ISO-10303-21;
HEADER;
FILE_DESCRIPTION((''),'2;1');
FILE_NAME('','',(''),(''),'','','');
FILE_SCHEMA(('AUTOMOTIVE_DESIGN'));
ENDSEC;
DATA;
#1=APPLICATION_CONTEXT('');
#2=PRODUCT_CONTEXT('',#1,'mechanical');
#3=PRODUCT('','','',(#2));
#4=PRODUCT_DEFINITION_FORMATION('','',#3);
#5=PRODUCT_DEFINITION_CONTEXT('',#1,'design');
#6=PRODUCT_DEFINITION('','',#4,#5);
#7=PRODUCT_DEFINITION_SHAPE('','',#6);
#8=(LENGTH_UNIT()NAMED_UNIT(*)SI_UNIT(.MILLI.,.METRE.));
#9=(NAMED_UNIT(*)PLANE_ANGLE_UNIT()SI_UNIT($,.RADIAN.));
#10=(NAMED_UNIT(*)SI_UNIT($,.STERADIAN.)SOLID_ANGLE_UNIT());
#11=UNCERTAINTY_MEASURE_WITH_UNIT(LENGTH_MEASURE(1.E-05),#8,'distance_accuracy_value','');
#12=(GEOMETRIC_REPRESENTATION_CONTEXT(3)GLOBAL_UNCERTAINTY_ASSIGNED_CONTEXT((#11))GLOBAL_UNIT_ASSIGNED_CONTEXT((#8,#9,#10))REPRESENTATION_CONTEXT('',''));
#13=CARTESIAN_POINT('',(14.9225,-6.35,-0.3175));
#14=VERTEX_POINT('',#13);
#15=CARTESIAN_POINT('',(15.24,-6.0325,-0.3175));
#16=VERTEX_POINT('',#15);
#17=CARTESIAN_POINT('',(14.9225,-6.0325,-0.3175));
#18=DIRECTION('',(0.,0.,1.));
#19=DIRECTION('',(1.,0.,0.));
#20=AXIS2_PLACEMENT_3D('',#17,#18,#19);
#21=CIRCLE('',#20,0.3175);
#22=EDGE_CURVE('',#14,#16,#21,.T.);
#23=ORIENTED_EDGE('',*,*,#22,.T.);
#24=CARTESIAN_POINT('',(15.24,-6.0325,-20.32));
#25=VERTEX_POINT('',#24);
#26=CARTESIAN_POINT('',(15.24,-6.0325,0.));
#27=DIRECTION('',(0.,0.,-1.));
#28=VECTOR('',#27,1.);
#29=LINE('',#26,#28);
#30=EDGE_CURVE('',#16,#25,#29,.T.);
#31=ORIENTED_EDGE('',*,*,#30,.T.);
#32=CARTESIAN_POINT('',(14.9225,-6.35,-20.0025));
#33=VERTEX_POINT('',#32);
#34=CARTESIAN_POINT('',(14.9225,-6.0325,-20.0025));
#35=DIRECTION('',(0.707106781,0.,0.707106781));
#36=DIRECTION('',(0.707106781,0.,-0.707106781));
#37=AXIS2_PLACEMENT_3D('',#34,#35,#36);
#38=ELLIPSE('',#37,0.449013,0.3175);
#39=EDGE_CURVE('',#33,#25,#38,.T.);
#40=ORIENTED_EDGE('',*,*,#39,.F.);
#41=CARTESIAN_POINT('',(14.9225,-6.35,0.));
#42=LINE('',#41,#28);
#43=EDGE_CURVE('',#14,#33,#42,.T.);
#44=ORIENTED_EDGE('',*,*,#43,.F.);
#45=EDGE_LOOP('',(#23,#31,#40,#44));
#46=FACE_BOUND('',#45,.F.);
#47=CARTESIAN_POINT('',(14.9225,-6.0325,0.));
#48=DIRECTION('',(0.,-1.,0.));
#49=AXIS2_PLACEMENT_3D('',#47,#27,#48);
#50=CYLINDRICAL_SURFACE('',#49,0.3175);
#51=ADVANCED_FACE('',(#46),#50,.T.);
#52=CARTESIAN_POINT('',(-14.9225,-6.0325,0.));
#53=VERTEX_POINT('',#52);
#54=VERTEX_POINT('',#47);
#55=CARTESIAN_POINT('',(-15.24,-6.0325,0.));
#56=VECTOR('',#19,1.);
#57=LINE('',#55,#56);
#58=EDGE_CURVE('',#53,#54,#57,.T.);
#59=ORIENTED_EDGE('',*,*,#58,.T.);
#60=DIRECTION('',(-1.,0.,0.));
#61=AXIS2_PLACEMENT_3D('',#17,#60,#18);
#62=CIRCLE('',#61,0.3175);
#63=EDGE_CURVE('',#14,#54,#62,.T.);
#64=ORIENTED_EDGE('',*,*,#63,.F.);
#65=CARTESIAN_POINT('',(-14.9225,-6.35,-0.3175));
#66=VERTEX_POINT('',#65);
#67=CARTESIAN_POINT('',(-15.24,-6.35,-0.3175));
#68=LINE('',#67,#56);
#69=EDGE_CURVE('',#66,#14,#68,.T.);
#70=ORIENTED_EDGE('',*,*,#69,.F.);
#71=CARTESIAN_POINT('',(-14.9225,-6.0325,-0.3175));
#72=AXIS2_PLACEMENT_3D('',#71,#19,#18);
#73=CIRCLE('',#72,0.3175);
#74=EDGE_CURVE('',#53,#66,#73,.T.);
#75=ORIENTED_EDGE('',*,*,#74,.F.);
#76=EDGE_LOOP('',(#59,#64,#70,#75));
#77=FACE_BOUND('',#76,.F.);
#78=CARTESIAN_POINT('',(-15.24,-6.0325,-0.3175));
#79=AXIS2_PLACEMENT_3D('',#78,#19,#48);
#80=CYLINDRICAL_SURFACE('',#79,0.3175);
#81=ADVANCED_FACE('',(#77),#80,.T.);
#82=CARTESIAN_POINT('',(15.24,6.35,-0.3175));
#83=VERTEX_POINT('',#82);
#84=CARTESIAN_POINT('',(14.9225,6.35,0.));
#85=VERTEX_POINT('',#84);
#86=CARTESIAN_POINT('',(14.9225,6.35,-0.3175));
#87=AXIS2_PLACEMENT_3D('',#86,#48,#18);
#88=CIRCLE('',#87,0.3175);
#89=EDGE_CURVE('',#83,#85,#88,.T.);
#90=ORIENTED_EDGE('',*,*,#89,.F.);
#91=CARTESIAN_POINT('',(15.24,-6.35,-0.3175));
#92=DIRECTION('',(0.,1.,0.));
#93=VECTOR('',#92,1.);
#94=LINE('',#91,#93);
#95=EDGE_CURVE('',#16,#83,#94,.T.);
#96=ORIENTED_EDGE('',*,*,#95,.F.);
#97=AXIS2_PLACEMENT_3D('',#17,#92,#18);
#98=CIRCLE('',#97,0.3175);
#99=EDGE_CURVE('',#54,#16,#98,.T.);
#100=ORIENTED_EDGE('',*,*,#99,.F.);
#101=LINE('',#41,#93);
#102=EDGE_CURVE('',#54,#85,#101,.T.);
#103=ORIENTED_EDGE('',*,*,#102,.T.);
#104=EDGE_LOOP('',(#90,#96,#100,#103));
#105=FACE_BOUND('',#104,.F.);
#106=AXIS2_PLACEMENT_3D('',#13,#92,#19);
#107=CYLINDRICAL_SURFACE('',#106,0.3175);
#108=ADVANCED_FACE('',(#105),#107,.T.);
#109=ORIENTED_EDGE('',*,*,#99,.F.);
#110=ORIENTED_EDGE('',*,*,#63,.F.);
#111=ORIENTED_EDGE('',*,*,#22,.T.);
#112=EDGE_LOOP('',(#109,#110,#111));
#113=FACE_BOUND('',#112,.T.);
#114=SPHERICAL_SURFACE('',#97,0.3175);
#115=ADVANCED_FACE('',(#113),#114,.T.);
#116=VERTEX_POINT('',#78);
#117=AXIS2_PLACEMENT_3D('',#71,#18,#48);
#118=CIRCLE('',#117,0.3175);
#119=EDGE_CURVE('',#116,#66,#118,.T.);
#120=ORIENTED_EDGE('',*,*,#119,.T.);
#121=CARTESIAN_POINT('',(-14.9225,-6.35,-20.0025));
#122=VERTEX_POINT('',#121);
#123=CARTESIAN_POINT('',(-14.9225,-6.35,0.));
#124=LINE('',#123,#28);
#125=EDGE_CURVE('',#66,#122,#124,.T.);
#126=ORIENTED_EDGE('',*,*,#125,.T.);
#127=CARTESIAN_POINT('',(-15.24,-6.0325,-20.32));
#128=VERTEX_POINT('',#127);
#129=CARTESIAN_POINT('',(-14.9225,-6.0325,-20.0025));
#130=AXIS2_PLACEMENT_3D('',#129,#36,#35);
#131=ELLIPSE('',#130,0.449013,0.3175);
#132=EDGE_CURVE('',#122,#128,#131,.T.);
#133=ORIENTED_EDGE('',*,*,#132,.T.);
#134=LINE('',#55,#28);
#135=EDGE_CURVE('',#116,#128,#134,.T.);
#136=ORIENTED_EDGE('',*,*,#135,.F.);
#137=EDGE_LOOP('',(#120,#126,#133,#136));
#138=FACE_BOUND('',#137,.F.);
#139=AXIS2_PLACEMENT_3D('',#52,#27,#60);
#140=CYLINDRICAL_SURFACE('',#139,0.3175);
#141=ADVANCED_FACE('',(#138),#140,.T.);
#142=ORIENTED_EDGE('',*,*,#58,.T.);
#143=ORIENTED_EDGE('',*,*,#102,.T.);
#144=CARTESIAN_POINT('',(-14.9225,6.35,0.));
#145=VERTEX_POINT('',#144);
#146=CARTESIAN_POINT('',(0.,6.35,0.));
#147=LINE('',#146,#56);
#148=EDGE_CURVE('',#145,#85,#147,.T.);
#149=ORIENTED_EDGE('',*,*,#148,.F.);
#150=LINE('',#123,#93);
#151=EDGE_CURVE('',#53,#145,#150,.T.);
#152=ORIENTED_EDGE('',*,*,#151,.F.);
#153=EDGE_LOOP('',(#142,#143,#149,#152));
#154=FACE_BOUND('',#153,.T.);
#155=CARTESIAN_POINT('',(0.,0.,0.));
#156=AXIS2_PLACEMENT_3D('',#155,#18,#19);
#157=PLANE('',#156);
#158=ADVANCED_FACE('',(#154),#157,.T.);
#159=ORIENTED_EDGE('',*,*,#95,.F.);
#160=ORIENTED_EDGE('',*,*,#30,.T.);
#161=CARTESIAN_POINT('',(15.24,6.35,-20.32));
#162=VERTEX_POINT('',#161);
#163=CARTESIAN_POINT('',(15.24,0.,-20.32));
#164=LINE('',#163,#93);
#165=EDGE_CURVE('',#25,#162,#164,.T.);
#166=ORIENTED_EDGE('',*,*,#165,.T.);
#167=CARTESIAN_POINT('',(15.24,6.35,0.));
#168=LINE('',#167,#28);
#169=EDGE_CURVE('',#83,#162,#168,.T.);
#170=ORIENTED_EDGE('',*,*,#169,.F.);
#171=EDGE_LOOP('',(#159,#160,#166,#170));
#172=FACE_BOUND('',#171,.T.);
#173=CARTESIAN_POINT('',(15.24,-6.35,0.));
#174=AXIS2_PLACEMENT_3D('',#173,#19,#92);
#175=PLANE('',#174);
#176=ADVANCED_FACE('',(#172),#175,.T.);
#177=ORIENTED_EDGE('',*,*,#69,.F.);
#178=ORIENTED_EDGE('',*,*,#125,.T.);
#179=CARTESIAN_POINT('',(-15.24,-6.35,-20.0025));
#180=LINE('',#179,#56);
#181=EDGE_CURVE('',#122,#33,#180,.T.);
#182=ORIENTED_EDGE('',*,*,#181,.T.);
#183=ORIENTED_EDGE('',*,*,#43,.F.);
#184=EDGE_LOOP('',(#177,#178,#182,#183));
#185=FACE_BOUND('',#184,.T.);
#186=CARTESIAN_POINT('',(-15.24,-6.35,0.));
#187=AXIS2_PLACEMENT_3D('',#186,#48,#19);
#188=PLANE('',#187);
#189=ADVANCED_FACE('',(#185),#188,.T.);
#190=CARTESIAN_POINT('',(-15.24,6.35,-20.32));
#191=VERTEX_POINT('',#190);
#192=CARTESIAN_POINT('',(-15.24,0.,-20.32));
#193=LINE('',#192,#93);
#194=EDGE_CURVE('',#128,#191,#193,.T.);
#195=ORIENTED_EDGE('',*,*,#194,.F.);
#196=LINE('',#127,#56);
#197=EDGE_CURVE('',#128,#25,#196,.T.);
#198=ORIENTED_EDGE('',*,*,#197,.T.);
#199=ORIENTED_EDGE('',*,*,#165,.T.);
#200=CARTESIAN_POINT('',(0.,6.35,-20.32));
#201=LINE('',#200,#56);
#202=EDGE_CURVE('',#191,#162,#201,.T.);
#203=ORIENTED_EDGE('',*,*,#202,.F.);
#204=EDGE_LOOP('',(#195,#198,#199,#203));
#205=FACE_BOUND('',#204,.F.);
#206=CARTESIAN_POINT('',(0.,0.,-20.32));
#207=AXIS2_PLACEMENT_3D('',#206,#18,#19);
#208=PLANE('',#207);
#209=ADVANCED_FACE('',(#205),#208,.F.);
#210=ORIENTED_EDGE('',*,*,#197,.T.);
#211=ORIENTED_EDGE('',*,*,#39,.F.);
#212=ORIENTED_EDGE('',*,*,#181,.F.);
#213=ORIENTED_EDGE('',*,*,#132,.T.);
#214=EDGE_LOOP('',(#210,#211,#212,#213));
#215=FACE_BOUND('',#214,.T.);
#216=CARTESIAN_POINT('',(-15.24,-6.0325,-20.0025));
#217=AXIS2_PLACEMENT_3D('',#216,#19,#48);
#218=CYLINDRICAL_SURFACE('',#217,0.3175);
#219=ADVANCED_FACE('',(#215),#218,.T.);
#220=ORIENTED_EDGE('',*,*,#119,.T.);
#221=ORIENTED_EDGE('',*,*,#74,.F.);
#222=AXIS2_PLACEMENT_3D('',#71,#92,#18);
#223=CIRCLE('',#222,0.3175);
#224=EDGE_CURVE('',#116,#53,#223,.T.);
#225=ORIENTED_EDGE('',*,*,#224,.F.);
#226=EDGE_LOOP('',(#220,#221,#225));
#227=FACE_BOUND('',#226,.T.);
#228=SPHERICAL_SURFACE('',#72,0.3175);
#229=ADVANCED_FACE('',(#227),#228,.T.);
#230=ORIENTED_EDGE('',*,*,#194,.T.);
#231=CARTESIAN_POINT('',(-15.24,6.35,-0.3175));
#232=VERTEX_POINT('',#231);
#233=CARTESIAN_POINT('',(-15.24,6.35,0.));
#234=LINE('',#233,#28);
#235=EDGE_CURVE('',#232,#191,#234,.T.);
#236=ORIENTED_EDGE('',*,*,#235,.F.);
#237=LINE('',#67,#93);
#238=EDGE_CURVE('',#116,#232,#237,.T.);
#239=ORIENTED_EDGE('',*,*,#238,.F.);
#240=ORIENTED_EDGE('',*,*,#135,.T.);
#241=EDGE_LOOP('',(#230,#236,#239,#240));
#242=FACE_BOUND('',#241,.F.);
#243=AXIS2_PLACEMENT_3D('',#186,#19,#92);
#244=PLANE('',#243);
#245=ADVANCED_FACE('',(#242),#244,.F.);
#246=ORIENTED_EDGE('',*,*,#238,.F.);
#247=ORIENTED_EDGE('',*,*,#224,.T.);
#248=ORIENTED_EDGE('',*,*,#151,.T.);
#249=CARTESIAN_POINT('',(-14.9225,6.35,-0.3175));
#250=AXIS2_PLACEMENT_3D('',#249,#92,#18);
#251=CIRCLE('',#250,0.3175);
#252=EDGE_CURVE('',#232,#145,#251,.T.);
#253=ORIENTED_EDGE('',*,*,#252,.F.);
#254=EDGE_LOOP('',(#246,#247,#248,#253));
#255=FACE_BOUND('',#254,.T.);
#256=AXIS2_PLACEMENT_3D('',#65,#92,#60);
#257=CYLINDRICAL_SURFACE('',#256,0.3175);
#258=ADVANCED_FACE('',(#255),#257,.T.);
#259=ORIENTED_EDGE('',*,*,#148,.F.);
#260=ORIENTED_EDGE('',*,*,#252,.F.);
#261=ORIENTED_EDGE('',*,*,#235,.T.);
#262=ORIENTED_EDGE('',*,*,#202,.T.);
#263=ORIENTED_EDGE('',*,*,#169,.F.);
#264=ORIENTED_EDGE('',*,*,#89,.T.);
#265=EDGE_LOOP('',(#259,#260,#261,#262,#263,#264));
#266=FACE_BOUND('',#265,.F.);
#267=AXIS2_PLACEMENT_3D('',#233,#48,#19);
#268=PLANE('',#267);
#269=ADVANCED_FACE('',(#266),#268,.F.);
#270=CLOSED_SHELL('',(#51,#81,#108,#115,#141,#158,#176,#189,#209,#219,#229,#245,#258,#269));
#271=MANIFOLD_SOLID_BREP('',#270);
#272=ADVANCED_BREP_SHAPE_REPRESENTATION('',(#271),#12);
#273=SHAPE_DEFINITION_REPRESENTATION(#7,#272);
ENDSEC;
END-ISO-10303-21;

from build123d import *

# Parameters (mm, degrees)
F0_W     = 30.48
F0_H     = 12.7
F1_DEPTH = 20.32
F2_R     = 0.3175


with BuildPart() as f1:
    # F0 (on Top) → F1 (new body)
    with BuildSketch(Plane.XY):
        Rectangle(F0_W, F0_H)
    extrude(amount=-F1_DEPTH)

    # F2
    f2_edges = [f1.edges().sort_by_distance(p)[0] for p in [
        (15.24, 0, 0),
        (0, -6.35, 0),
        (-15.24, 0, 0),
        (15.24, -6.35, -10.16),
        (0, -6.35, -20.32),
        (-15.24, -6.35, -10.16),
    ]]
    fillet(f2_edges, radius=F2_R)


solid = f1.part
